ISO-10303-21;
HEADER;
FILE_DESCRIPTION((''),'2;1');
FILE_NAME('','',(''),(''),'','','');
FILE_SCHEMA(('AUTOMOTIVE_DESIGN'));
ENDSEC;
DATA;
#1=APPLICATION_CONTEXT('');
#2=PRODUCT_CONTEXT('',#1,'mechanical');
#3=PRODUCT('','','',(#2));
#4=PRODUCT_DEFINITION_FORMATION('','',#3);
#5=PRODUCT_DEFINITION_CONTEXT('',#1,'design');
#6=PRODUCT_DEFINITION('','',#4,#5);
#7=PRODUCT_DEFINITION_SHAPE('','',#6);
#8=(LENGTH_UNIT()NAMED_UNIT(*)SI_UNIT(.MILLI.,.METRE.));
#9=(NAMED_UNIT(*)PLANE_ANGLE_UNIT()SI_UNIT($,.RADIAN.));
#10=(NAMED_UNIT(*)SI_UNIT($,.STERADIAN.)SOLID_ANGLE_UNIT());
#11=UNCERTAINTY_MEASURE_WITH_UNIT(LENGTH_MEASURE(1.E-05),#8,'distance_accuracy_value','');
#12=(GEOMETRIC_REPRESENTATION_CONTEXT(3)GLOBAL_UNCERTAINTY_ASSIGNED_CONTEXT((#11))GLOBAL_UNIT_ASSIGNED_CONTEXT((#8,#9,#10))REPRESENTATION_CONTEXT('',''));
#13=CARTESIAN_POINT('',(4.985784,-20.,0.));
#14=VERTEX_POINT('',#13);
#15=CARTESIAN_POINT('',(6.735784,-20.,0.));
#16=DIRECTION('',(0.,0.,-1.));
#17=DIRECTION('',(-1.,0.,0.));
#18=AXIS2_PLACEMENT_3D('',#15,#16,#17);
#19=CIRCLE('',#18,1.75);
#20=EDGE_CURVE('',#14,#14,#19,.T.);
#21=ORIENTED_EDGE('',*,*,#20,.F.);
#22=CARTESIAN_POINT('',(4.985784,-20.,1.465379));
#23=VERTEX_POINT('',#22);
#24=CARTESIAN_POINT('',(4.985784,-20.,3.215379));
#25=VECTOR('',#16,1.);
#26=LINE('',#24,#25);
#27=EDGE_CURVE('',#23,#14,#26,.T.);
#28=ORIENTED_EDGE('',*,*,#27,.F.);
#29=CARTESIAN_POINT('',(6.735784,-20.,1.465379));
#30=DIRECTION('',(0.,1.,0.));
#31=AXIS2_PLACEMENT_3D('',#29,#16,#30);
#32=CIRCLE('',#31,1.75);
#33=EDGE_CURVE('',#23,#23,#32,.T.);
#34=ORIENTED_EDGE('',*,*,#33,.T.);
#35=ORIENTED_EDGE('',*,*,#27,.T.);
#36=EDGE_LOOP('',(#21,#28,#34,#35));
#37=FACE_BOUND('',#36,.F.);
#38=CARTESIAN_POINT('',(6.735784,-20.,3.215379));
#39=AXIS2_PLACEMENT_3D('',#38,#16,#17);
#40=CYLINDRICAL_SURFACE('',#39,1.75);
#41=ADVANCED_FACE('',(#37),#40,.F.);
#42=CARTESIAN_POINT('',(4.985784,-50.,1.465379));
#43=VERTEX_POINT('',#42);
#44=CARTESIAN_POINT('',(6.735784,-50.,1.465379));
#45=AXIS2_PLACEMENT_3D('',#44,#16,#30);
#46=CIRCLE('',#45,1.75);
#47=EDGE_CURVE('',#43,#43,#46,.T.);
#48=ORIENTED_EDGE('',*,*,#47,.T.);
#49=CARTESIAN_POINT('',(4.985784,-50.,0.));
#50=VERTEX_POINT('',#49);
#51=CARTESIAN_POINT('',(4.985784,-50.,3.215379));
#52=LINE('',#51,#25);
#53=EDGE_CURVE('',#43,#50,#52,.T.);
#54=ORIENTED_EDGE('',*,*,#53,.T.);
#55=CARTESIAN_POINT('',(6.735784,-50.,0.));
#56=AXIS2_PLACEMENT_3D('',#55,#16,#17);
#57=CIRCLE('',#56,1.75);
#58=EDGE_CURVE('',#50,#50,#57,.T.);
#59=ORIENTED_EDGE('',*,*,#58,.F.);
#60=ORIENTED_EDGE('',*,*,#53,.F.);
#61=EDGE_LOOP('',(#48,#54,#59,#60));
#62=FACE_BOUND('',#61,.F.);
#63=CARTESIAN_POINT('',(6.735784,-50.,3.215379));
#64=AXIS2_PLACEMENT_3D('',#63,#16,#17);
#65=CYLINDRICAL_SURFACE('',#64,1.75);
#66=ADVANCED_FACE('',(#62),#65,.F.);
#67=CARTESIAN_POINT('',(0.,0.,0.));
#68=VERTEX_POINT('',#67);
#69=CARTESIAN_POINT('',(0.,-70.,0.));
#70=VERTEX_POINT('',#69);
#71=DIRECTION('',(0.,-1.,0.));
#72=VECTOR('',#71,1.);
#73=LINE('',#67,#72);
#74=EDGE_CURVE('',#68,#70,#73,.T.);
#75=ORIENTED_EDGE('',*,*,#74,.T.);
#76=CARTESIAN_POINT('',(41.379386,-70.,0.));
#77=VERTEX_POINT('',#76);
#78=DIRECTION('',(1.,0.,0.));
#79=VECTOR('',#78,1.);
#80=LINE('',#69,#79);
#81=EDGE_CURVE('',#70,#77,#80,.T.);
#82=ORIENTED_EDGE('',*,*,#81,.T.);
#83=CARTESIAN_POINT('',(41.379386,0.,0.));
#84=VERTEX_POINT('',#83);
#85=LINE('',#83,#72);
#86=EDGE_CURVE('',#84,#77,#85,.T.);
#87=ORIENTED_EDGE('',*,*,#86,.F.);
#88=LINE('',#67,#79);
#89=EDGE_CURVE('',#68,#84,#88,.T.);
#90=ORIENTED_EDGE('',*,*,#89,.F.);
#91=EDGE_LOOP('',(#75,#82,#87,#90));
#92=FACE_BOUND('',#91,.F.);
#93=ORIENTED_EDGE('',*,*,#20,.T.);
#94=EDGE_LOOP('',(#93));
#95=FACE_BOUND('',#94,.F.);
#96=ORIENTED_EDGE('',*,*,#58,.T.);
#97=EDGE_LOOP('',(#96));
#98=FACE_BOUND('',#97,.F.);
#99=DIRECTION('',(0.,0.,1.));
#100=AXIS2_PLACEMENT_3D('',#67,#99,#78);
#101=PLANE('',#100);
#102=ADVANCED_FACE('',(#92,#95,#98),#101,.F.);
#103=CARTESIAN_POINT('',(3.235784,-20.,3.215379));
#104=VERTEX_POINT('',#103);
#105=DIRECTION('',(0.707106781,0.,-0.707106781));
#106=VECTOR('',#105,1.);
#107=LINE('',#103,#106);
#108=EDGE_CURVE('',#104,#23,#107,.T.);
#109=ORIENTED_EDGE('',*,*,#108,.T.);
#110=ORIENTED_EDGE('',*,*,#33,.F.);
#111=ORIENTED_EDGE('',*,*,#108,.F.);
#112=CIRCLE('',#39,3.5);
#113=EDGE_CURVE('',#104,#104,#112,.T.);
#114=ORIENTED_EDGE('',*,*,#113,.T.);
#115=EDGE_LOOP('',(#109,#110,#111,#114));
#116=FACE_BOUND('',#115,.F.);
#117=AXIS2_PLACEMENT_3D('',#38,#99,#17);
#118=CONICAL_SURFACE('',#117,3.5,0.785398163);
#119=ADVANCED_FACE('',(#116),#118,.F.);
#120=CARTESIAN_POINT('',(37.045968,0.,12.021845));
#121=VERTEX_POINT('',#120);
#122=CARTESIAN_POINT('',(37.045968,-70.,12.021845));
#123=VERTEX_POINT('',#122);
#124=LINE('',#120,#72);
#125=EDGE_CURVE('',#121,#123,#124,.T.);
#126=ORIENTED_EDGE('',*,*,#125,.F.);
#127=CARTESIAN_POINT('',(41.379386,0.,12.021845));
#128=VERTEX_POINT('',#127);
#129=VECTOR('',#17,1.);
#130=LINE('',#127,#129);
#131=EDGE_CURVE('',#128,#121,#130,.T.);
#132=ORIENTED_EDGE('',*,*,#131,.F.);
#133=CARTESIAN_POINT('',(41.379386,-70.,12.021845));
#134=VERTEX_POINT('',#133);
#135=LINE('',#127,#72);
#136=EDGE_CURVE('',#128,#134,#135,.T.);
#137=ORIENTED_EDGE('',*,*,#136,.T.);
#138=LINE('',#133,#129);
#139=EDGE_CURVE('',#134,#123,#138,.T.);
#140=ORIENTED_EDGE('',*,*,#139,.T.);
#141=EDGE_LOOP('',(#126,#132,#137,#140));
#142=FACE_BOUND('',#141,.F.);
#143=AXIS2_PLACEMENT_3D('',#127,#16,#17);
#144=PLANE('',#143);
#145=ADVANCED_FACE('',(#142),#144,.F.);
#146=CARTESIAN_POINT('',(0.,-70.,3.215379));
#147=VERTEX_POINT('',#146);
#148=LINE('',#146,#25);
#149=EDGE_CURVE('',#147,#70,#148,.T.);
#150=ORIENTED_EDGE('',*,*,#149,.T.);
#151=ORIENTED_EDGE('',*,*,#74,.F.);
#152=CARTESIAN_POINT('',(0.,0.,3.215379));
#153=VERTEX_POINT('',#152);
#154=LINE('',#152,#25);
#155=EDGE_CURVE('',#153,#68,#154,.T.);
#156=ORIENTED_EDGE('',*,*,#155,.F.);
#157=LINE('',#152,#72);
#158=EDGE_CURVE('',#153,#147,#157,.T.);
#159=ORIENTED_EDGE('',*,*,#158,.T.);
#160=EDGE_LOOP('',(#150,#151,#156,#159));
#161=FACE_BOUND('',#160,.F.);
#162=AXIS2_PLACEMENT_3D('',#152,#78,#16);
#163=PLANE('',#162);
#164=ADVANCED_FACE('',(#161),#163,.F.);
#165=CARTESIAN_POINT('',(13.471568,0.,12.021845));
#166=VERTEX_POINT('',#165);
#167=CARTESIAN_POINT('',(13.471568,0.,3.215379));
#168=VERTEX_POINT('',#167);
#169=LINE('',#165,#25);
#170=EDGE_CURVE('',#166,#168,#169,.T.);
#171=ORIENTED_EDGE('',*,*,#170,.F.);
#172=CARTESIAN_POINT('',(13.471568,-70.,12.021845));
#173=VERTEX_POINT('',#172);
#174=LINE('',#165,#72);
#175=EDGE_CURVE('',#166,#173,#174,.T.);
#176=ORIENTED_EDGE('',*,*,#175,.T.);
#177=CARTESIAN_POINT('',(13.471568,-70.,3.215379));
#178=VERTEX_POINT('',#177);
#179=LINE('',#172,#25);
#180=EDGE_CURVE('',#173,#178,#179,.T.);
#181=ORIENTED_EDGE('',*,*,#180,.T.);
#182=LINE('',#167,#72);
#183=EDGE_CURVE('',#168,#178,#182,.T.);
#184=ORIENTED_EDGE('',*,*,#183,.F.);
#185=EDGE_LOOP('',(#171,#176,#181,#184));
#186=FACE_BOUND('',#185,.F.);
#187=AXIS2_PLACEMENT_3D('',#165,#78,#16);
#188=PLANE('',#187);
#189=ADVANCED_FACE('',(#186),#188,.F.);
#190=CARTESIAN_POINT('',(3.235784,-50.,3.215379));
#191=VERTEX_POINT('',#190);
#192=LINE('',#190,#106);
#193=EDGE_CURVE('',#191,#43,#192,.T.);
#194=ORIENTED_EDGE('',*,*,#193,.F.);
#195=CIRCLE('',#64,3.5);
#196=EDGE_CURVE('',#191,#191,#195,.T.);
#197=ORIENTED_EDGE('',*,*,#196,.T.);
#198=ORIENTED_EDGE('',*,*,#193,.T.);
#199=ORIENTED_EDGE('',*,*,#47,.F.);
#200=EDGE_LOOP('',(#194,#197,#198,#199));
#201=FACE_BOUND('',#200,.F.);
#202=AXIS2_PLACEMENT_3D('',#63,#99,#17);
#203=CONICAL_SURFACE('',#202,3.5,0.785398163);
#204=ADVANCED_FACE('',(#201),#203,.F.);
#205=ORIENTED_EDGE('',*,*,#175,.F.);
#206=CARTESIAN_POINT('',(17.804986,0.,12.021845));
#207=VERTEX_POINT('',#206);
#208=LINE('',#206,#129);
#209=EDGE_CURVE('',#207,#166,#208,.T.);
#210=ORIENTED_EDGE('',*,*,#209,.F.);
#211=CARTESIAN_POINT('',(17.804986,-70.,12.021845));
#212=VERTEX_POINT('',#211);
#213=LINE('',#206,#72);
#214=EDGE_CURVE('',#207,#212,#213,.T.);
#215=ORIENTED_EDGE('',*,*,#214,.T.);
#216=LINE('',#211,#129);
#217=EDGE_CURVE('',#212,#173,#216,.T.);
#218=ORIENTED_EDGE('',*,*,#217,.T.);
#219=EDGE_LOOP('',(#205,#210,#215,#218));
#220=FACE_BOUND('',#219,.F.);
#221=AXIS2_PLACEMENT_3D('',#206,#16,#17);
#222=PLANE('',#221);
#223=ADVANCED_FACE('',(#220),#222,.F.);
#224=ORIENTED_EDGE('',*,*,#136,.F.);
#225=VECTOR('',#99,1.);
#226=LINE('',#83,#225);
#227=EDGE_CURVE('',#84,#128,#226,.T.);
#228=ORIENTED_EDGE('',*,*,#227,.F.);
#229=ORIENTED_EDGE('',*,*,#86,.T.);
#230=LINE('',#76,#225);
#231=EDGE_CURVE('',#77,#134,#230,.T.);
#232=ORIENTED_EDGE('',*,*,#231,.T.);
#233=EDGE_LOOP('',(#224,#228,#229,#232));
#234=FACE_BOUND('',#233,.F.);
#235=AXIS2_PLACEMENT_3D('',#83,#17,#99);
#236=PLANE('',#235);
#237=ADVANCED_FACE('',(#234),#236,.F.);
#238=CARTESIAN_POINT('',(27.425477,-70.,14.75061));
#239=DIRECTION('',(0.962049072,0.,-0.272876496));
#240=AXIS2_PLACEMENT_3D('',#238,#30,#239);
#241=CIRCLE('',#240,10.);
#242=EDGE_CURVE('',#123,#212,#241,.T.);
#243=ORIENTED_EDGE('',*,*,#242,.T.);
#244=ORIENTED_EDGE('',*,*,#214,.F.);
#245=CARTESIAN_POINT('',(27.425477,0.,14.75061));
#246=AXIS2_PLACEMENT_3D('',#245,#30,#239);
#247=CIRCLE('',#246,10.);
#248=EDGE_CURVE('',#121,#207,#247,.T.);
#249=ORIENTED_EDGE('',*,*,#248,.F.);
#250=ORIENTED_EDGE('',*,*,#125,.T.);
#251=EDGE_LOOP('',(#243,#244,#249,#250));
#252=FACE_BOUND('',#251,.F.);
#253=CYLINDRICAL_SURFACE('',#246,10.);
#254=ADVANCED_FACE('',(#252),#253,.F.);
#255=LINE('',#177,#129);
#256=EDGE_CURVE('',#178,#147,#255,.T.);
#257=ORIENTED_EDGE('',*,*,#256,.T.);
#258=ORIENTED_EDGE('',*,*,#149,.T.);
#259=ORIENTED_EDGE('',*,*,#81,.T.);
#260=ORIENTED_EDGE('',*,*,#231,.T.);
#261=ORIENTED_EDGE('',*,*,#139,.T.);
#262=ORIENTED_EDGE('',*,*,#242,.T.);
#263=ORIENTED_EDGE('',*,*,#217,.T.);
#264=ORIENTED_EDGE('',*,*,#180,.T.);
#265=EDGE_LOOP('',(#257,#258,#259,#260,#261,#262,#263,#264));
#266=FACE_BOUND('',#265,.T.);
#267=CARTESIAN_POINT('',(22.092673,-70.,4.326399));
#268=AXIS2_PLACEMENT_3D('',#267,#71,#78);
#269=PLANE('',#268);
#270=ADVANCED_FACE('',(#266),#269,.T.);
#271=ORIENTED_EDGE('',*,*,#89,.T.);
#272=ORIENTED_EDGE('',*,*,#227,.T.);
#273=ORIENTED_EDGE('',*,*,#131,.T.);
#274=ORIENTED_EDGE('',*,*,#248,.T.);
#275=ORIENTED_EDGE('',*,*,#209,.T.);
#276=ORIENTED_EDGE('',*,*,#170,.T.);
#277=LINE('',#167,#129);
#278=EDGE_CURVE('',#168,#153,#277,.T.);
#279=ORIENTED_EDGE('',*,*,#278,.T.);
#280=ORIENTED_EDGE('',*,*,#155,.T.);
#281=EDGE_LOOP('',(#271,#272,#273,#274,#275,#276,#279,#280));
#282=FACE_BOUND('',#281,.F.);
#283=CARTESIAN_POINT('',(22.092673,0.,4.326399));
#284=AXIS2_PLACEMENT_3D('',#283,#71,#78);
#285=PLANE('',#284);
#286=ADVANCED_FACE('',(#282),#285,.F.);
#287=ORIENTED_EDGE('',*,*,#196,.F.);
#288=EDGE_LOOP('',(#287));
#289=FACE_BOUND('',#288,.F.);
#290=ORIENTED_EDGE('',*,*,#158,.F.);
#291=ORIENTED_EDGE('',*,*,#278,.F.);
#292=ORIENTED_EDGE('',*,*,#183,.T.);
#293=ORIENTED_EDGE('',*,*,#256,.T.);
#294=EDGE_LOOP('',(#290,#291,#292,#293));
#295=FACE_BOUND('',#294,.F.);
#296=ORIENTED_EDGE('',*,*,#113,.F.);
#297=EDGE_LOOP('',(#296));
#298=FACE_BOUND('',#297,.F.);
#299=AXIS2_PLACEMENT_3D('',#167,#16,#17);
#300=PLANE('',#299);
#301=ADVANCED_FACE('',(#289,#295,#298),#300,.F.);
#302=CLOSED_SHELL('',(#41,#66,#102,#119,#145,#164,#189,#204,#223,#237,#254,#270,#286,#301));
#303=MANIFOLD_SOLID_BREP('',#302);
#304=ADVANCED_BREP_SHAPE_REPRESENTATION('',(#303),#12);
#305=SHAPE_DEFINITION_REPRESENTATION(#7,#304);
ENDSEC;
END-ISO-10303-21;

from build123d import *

# Parameters (mm, degrees)
F2_DEPTH       = 70
F4_D           = 3.5
F4_CSINK_D     = 7
F4_CSINK_ANGLE = 90


with BuildPart() as f2:
    # F1 (on Front) → F2 (new body)
    with BuildSketch(Plane.XZ):
        with BuildLine():
            Line((0, 3.2153789857), (0, 0))
            Line((0, 0), (41.3793856046, 0))
            Line((41.3793856046, 0), (41.3793856046, 12.0218454194))
            Line((41.3793856046, 12.0218454194), (37.0459675166, 12.0218454194))
            ThreePointArc((37.0459675166, 12.0218454194), (27.4254767926, 4.7506103835), (17.8049860686, 12.0218454194))
            Line((17.8049860686, 12.0218454194), (13.4715679806, 12.0218454194))
            Line((13.4715679806, 12.0218454194), (13.4715679806, 3.2153789857))
            Line((13.4715679806, 3.2153789857), (0, 3.2153789857))
        make_face()
    extrude(amount=F2_DEPTH)

    # F4 (through all)
    with Locations(Plane.XY.offset(3.2153789857)):
        with Locations((6.7357839903, -20), (6.7357839903, -50)):
            CounterSinkHole(F4_D / 2, F4_CSINK_D / 2, counter_sink_angle=F4_CSINK_ANGLE)


solid = f2.part
